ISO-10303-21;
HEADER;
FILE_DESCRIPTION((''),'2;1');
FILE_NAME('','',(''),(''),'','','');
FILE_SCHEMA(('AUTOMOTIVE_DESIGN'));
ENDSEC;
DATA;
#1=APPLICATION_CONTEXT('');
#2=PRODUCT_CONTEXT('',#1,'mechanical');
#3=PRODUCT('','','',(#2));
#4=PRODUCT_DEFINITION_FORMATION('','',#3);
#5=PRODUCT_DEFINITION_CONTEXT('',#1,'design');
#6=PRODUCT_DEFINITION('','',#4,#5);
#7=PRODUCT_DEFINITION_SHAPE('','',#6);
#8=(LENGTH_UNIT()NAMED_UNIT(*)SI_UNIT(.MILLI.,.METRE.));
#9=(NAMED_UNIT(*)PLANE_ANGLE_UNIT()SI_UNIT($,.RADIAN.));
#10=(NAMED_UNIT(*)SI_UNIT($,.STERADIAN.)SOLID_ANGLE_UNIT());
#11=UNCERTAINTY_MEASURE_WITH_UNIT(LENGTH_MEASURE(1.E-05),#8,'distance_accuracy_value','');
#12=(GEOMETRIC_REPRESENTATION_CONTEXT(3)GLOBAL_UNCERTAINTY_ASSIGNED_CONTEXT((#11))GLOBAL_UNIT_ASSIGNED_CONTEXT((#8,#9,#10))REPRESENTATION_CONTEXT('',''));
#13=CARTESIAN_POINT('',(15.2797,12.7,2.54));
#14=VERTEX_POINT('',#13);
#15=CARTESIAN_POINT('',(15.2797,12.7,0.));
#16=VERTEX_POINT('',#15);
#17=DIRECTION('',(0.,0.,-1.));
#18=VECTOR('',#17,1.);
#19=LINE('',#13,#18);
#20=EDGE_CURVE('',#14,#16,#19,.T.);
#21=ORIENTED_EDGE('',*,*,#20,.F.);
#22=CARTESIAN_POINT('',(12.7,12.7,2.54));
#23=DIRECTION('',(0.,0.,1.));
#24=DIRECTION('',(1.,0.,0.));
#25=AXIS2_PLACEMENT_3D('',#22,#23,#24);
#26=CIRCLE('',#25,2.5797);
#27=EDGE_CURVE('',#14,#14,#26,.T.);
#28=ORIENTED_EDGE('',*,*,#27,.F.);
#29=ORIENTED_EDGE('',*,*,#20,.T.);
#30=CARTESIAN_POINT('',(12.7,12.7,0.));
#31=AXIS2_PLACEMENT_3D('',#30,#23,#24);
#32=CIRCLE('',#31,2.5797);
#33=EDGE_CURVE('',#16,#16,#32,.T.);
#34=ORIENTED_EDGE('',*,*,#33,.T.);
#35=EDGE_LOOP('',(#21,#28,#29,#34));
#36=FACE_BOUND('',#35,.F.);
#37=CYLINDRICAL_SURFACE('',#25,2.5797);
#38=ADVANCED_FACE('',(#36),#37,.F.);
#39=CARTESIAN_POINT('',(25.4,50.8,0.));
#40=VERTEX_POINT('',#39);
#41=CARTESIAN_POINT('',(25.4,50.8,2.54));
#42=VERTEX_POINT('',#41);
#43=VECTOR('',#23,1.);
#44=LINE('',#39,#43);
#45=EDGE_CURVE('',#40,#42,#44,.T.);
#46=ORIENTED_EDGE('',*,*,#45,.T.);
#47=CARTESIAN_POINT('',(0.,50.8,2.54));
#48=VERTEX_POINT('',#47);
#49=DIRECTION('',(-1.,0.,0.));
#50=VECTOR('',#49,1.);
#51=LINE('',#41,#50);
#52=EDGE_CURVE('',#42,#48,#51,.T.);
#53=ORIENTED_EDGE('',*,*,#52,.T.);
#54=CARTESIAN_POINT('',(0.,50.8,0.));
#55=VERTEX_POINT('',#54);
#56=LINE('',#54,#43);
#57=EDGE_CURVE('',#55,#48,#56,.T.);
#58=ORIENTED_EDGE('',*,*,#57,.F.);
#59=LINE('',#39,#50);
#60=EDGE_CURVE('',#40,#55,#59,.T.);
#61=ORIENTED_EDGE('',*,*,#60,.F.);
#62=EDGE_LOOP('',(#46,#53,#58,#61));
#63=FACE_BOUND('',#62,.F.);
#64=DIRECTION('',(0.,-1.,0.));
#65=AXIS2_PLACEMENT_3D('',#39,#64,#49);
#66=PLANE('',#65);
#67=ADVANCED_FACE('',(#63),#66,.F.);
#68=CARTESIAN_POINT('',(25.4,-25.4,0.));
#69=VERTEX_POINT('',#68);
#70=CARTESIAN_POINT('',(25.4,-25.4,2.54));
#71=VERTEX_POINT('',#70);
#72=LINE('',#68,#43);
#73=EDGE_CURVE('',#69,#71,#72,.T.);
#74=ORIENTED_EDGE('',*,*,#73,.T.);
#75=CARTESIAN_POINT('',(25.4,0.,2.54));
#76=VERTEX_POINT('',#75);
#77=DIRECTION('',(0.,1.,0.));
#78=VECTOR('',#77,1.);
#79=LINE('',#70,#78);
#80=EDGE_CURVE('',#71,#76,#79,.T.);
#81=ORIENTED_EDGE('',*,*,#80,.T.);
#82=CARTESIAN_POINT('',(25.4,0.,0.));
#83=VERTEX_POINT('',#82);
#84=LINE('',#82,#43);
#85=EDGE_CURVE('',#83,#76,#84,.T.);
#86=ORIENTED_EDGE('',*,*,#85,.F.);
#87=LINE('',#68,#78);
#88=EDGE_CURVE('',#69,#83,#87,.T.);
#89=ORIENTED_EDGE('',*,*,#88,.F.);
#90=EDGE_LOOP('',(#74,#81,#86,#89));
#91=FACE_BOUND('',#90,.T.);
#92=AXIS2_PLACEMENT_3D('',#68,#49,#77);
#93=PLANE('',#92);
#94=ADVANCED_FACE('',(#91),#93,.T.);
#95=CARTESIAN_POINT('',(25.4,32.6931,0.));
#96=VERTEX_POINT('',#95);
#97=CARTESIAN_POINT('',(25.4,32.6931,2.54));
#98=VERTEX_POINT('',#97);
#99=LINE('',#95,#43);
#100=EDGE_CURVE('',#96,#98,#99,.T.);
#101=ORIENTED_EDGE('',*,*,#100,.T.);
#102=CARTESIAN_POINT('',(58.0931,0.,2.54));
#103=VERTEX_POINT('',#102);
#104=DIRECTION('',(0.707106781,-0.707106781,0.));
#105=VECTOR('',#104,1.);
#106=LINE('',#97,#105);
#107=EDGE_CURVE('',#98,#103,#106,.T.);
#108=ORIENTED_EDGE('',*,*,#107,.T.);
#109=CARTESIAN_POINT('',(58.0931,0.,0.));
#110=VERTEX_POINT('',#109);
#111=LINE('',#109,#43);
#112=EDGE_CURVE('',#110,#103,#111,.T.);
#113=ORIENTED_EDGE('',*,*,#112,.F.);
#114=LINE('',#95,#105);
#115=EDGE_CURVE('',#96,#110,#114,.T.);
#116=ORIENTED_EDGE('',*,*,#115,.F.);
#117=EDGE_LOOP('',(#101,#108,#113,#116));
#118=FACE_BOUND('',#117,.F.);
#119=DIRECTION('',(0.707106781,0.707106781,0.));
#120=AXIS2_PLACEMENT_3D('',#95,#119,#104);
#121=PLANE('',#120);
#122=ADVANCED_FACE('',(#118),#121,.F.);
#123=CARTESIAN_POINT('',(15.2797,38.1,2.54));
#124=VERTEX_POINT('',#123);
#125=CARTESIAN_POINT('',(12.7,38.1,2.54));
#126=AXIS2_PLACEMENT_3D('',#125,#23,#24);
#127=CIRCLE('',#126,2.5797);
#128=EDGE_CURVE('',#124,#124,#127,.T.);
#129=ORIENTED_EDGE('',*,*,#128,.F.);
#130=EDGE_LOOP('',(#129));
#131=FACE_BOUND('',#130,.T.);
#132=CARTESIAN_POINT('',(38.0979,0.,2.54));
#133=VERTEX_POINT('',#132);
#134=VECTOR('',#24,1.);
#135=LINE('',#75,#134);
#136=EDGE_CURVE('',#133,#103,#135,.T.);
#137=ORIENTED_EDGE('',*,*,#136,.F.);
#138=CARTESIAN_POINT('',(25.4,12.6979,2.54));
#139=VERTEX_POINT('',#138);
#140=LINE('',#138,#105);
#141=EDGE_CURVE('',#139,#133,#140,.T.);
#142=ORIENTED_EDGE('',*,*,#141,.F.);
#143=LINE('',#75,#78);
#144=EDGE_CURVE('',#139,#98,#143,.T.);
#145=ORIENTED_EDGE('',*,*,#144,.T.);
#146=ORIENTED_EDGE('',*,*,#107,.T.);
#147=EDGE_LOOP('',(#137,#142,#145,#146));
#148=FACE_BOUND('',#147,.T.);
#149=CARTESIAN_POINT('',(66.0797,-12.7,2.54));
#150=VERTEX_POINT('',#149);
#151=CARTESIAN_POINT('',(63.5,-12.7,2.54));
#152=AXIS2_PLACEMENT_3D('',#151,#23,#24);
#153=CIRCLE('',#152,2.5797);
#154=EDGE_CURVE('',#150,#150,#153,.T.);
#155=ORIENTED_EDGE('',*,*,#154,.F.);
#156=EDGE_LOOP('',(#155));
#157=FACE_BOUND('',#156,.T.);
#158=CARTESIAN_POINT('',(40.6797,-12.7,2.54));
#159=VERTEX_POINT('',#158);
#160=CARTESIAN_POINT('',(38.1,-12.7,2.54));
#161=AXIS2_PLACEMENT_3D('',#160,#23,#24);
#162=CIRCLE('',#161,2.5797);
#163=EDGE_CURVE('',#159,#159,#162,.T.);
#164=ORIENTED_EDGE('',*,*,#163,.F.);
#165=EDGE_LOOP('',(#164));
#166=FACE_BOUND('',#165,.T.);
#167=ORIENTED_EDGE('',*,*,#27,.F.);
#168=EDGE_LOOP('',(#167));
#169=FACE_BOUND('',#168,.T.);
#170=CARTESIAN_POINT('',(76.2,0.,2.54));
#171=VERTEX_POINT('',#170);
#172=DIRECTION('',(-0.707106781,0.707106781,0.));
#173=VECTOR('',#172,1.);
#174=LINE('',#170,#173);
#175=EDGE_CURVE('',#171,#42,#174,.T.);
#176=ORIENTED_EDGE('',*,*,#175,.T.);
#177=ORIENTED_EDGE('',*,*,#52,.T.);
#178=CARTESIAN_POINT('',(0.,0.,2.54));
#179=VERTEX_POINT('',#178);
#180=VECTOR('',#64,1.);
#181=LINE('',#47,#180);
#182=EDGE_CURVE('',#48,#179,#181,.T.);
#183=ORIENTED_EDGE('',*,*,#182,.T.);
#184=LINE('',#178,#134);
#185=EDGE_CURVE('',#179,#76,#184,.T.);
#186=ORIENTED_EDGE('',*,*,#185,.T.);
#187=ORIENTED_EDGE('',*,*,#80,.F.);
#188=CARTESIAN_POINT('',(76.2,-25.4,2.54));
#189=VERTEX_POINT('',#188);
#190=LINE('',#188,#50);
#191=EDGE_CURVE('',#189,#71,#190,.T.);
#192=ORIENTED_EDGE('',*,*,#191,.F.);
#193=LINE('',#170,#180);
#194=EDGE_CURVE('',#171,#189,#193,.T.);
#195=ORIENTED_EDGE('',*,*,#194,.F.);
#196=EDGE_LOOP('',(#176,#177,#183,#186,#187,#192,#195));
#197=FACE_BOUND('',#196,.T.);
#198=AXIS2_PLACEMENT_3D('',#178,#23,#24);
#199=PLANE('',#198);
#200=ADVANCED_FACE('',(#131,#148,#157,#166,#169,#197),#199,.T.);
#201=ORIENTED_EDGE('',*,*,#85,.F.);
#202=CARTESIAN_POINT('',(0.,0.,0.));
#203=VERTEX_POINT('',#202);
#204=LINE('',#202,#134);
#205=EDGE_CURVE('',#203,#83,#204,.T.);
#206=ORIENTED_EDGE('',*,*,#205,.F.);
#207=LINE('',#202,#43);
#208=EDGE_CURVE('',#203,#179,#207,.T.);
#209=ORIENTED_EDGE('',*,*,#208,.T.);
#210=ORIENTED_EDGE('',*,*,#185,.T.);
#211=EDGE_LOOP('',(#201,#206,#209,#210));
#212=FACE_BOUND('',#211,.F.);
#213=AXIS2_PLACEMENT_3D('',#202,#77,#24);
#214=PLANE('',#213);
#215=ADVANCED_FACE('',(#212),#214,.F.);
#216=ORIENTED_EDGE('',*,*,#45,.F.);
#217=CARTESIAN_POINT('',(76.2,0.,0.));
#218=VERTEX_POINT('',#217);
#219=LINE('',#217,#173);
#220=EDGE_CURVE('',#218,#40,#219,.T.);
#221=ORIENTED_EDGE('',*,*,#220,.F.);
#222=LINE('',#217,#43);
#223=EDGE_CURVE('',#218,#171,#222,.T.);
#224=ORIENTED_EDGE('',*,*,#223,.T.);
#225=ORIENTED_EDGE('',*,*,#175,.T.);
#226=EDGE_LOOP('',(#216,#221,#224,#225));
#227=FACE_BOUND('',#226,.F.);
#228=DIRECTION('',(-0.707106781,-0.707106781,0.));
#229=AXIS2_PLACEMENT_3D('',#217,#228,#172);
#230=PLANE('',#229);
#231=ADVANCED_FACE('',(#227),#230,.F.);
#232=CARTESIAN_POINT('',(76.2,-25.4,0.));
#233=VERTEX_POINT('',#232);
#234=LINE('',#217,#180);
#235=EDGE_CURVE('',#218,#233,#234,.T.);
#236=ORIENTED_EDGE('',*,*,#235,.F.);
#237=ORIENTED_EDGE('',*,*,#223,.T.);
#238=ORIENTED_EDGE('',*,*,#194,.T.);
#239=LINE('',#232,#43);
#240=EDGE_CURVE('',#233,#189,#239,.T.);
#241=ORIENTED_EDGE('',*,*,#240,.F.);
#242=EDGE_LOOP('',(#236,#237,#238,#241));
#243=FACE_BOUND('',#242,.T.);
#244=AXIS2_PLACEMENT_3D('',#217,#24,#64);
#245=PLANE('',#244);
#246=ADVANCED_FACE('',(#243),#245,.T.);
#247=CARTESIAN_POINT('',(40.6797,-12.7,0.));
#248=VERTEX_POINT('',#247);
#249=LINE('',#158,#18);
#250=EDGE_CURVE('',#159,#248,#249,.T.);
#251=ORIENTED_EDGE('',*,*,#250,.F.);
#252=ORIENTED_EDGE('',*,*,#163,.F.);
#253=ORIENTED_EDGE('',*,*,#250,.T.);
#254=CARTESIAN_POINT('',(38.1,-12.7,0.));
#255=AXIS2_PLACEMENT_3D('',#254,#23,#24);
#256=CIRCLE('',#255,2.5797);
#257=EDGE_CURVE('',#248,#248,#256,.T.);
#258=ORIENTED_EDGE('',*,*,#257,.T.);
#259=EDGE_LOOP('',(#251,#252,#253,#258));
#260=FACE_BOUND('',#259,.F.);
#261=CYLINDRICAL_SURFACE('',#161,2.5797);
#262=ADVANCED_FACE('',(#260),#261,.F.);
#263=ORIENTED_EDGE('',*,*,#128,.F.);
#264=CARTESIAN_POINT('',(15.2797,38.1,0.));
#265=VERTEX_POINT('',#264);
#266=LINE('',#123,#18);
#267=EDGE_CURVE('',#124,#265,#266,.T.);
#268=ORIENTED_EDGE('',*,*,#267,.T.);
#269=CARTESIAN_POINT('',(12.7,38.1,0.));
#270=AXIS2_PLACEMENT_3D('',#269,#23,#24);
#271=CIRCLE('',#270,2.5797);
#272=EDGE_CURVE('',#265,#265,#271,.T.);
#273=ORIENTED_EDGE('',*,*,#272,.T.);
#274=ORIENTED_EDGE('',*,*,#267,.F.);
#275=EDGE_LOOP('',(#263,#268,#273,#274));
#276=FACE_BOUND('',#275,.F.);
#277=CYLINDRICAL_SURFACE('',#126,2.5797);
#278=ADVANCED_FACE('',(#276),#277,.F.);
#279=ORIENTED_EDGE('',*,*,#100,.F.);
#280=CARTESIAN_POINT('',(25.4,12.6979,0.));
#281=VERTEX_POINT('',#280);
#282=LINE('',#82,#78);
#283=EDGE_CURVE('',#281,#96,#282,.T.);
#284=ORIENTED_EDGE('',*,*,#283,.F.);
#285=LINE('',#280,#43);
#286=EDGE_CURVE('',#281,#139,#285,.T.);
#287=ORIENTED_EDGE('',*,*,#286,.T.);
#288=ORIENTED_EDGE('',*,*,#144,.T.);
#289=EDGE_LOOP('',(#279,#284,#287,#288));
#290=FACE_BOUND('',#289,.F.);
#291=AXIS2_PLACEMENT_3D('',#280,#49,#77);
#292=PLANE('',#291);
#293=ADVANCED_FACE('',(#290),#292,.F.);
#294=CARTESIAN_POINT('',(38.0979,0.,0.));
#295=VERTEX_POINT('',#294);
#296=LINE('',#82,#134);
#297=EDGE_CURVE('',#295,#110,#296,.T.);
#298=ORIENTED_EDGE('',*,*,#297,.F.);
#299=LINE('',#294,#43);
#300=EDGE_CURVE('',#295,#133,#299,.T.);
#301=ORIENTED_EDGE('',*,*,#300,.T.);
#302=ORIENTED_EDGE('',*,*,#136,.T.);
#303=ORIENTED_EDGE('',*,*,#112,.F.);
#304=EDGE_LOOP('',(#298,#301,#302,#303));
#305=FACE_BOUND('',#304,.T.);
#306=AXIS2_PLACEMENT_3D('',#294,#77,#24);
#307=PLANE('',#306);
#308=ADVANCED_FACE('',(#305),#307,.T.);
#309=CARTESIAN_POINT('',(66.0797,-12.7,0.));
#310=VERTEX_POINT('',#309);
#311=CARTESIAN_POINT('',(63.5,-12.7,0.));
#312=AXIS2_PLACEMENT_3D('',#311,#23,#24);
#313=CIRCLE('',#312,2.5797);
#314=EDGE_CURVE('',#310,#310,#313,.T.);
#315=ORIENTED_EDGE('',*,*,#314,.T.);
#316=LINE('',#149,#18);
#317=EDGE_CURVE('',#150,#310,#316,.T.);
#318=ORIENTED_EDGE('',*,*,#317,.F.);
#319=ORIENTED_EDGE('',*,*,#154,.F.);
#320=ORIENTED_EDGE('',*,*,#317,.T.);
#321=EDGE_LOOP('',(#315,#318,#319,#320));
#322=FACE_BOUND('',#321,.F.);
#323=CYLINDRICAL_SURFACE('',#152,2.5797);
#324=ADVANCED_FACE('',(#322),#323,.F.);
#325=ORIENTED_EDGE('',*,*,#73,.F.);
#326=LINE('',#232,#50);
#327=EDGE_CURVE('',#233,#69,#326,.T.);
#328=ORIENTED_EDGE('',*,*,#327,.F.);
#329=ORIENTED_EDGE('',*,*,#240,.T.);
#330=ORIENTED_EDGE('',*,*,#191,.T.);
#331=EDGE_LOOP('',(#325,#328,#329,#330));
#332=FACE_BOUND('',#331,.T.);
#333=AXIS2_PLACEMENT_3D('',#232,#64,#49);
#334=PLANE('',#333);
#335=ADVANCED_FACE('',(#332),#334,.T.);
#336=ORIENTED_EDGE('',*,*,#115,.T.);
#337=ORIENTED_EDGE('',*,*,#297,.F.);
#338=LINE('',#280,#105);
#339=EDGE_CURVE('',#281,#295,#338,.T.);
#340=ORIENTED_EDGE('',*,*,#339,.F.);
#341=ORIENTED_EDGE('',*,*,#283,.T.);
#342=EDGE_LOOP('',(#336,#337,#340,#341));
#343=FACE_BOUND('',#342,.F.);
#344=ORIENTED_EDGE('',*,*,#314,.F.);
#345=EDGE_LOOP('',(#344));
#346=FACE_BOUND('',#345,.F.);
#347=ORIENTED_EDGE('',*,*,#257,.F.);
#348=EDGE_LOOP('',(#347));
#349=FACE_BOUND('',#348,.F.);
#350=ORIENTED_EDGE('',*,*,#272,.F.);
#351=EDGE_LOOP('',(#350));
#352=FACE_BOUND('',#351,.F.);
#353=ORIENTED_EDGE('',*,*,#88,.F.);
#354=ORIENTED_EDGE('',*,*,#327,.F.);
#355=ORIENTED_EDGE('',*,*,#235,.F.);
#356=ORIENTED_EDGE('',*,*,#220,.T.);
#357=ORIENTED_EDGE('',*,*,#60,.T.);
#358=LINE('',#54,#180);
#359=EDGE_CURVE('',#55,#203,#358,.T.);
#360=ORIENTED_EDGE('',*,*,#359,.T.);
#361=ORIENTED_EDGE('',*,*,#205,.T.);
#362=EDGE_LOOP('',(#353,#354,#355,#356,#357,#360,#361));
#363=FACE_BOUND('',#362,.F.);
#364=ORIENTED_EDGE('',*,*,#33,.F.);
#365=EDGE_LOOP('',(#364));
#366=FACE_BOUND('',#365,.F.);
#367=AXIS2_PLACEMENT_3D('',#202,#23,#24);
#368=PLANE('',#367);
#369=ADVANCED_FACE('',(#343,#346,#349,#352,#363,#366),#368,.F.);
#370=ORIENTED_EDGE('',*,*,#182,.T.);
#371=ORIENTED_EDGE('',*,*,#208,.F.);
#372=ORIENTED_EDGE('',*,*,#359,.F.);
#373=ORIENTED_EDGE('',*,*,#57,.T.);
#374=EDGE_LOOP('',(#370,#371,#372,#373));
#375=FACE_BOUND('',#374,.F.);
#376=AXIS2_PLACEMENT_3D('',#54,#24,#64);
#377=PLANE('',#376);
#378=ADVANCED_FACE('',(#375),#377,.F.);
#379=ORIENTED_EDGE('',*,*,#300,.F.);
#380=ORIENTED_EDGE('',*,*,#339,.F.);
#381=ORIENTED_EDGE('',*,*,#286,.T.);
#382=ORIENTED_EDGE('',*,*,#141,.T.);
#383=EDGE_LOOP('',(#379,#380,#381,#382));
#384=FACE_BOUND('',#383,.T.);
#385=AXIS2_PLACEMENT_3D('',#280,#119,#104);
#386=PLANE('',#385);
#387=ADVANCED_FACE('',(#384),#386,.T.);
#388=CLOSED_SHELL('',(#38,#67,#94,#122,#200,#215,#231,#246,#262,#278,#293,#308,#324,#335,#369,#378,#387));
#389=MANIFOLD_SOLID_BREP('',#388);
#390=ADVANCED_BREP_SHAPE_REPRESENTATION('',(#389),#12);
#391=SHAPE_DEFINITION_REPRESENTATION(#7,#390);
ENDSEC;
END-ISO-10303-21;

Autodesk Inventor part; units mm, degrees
ref_plane "YZ Plane" through (0, 0, 0) normal (1, 0, 0) x (0, 1, 0)
ref_plane "XZ Plane" through (0, 0, 0) normal (0, 1, 0) x (-1, 0, 0)
ref_plane "XY Plane" through (0, 0, 0) normal (0, 0, 1) x (1, 0, 0)
sketch "Sketch1" plane through (0, 0, 0) normal (0, 0, 1) x (1, 0, 0)
  line L0 (0, 0) -> (25.4, 0)
  line L1 (25.4, 0) -> (25.4, 50.8)
  line L2 (25.4, 50.8) -> (0, 50.8)
  line L3 (0, 50.8) -> (0, 0)
  line L4 (25.4, 0) -> (76.2, 0)
  line L5 (76.2, 0) -> (76.2, -25.4)
  line L6 (76.2, -25.4) -> (25.4, -25.4)
  line L7 (25.4, -25.4) -> (25.4, 0)
  line L8 (76.2, 0) -> (25.4, 50.8)
  line L9 (25.4, 32.6931) -> (58.0931, 0)
  line L10 (25.4, 12.6979) -> (38.0979, 0)
  dimension "d0" = 25.4
  dimension "d1" = 50.8
  dimension "d2" = 50.8
  dimension "d3" = 25.4
  dimension "d21" = 45
extrude "Extrusion3" add sketch "Sketch1" along normal blind 2.54 contours L3 L2 L1 L0 | L1 L10 L4 | L4 L5 L6 L7 | L8 L4 L9 L1
sketch "Sketch3" plane through (0, 0, 2.54) normal (0, 0, 1) x (1, 0, 0)
  circle A0 centre (12.7, 12.7) radius 2.5797
  circle A1 centre (12.7, 38.1) radius 2.5797
  circle A2 centre (38.1, -12.7) radius 2.5797
  circle A3 centre (63.5, -12.7) radius 2.5797
  line L0 (25.4, 0) -> (25.4, -25.4) projected
  line L1 (25.4, -25.4) -> (76.2, -25.4) projected
  line L2 (76.2, -25.4) -> (76.2, 0) projected
  line L3 (0, 0) -> (25.4, 0) projected
  line L4 (0, 50.8) -> (0, 0) projected
  line L5 (25.4, 50.8) -> (0, 50.8) projected
  dimension "d26" = 12.7
  dimension "d27" = 12.7
  dimension "d28" = 12.7
  dimension "d29" = 12.7
  dimension "d30" = 12.7
  dimension "d31" = 12.7
  dimension "d32" = 12.7
  dimension "d33" = 12.7
  dimension "d34" = 5.1594
  dimension "d35" = 5.1594
  dimension "d36" = 5.1594
  dimension "d37" = 5.1594
extrude "Extrusion5" cut sketch "Sketch3" against normal blind 2.54
properties part number "special brace"
